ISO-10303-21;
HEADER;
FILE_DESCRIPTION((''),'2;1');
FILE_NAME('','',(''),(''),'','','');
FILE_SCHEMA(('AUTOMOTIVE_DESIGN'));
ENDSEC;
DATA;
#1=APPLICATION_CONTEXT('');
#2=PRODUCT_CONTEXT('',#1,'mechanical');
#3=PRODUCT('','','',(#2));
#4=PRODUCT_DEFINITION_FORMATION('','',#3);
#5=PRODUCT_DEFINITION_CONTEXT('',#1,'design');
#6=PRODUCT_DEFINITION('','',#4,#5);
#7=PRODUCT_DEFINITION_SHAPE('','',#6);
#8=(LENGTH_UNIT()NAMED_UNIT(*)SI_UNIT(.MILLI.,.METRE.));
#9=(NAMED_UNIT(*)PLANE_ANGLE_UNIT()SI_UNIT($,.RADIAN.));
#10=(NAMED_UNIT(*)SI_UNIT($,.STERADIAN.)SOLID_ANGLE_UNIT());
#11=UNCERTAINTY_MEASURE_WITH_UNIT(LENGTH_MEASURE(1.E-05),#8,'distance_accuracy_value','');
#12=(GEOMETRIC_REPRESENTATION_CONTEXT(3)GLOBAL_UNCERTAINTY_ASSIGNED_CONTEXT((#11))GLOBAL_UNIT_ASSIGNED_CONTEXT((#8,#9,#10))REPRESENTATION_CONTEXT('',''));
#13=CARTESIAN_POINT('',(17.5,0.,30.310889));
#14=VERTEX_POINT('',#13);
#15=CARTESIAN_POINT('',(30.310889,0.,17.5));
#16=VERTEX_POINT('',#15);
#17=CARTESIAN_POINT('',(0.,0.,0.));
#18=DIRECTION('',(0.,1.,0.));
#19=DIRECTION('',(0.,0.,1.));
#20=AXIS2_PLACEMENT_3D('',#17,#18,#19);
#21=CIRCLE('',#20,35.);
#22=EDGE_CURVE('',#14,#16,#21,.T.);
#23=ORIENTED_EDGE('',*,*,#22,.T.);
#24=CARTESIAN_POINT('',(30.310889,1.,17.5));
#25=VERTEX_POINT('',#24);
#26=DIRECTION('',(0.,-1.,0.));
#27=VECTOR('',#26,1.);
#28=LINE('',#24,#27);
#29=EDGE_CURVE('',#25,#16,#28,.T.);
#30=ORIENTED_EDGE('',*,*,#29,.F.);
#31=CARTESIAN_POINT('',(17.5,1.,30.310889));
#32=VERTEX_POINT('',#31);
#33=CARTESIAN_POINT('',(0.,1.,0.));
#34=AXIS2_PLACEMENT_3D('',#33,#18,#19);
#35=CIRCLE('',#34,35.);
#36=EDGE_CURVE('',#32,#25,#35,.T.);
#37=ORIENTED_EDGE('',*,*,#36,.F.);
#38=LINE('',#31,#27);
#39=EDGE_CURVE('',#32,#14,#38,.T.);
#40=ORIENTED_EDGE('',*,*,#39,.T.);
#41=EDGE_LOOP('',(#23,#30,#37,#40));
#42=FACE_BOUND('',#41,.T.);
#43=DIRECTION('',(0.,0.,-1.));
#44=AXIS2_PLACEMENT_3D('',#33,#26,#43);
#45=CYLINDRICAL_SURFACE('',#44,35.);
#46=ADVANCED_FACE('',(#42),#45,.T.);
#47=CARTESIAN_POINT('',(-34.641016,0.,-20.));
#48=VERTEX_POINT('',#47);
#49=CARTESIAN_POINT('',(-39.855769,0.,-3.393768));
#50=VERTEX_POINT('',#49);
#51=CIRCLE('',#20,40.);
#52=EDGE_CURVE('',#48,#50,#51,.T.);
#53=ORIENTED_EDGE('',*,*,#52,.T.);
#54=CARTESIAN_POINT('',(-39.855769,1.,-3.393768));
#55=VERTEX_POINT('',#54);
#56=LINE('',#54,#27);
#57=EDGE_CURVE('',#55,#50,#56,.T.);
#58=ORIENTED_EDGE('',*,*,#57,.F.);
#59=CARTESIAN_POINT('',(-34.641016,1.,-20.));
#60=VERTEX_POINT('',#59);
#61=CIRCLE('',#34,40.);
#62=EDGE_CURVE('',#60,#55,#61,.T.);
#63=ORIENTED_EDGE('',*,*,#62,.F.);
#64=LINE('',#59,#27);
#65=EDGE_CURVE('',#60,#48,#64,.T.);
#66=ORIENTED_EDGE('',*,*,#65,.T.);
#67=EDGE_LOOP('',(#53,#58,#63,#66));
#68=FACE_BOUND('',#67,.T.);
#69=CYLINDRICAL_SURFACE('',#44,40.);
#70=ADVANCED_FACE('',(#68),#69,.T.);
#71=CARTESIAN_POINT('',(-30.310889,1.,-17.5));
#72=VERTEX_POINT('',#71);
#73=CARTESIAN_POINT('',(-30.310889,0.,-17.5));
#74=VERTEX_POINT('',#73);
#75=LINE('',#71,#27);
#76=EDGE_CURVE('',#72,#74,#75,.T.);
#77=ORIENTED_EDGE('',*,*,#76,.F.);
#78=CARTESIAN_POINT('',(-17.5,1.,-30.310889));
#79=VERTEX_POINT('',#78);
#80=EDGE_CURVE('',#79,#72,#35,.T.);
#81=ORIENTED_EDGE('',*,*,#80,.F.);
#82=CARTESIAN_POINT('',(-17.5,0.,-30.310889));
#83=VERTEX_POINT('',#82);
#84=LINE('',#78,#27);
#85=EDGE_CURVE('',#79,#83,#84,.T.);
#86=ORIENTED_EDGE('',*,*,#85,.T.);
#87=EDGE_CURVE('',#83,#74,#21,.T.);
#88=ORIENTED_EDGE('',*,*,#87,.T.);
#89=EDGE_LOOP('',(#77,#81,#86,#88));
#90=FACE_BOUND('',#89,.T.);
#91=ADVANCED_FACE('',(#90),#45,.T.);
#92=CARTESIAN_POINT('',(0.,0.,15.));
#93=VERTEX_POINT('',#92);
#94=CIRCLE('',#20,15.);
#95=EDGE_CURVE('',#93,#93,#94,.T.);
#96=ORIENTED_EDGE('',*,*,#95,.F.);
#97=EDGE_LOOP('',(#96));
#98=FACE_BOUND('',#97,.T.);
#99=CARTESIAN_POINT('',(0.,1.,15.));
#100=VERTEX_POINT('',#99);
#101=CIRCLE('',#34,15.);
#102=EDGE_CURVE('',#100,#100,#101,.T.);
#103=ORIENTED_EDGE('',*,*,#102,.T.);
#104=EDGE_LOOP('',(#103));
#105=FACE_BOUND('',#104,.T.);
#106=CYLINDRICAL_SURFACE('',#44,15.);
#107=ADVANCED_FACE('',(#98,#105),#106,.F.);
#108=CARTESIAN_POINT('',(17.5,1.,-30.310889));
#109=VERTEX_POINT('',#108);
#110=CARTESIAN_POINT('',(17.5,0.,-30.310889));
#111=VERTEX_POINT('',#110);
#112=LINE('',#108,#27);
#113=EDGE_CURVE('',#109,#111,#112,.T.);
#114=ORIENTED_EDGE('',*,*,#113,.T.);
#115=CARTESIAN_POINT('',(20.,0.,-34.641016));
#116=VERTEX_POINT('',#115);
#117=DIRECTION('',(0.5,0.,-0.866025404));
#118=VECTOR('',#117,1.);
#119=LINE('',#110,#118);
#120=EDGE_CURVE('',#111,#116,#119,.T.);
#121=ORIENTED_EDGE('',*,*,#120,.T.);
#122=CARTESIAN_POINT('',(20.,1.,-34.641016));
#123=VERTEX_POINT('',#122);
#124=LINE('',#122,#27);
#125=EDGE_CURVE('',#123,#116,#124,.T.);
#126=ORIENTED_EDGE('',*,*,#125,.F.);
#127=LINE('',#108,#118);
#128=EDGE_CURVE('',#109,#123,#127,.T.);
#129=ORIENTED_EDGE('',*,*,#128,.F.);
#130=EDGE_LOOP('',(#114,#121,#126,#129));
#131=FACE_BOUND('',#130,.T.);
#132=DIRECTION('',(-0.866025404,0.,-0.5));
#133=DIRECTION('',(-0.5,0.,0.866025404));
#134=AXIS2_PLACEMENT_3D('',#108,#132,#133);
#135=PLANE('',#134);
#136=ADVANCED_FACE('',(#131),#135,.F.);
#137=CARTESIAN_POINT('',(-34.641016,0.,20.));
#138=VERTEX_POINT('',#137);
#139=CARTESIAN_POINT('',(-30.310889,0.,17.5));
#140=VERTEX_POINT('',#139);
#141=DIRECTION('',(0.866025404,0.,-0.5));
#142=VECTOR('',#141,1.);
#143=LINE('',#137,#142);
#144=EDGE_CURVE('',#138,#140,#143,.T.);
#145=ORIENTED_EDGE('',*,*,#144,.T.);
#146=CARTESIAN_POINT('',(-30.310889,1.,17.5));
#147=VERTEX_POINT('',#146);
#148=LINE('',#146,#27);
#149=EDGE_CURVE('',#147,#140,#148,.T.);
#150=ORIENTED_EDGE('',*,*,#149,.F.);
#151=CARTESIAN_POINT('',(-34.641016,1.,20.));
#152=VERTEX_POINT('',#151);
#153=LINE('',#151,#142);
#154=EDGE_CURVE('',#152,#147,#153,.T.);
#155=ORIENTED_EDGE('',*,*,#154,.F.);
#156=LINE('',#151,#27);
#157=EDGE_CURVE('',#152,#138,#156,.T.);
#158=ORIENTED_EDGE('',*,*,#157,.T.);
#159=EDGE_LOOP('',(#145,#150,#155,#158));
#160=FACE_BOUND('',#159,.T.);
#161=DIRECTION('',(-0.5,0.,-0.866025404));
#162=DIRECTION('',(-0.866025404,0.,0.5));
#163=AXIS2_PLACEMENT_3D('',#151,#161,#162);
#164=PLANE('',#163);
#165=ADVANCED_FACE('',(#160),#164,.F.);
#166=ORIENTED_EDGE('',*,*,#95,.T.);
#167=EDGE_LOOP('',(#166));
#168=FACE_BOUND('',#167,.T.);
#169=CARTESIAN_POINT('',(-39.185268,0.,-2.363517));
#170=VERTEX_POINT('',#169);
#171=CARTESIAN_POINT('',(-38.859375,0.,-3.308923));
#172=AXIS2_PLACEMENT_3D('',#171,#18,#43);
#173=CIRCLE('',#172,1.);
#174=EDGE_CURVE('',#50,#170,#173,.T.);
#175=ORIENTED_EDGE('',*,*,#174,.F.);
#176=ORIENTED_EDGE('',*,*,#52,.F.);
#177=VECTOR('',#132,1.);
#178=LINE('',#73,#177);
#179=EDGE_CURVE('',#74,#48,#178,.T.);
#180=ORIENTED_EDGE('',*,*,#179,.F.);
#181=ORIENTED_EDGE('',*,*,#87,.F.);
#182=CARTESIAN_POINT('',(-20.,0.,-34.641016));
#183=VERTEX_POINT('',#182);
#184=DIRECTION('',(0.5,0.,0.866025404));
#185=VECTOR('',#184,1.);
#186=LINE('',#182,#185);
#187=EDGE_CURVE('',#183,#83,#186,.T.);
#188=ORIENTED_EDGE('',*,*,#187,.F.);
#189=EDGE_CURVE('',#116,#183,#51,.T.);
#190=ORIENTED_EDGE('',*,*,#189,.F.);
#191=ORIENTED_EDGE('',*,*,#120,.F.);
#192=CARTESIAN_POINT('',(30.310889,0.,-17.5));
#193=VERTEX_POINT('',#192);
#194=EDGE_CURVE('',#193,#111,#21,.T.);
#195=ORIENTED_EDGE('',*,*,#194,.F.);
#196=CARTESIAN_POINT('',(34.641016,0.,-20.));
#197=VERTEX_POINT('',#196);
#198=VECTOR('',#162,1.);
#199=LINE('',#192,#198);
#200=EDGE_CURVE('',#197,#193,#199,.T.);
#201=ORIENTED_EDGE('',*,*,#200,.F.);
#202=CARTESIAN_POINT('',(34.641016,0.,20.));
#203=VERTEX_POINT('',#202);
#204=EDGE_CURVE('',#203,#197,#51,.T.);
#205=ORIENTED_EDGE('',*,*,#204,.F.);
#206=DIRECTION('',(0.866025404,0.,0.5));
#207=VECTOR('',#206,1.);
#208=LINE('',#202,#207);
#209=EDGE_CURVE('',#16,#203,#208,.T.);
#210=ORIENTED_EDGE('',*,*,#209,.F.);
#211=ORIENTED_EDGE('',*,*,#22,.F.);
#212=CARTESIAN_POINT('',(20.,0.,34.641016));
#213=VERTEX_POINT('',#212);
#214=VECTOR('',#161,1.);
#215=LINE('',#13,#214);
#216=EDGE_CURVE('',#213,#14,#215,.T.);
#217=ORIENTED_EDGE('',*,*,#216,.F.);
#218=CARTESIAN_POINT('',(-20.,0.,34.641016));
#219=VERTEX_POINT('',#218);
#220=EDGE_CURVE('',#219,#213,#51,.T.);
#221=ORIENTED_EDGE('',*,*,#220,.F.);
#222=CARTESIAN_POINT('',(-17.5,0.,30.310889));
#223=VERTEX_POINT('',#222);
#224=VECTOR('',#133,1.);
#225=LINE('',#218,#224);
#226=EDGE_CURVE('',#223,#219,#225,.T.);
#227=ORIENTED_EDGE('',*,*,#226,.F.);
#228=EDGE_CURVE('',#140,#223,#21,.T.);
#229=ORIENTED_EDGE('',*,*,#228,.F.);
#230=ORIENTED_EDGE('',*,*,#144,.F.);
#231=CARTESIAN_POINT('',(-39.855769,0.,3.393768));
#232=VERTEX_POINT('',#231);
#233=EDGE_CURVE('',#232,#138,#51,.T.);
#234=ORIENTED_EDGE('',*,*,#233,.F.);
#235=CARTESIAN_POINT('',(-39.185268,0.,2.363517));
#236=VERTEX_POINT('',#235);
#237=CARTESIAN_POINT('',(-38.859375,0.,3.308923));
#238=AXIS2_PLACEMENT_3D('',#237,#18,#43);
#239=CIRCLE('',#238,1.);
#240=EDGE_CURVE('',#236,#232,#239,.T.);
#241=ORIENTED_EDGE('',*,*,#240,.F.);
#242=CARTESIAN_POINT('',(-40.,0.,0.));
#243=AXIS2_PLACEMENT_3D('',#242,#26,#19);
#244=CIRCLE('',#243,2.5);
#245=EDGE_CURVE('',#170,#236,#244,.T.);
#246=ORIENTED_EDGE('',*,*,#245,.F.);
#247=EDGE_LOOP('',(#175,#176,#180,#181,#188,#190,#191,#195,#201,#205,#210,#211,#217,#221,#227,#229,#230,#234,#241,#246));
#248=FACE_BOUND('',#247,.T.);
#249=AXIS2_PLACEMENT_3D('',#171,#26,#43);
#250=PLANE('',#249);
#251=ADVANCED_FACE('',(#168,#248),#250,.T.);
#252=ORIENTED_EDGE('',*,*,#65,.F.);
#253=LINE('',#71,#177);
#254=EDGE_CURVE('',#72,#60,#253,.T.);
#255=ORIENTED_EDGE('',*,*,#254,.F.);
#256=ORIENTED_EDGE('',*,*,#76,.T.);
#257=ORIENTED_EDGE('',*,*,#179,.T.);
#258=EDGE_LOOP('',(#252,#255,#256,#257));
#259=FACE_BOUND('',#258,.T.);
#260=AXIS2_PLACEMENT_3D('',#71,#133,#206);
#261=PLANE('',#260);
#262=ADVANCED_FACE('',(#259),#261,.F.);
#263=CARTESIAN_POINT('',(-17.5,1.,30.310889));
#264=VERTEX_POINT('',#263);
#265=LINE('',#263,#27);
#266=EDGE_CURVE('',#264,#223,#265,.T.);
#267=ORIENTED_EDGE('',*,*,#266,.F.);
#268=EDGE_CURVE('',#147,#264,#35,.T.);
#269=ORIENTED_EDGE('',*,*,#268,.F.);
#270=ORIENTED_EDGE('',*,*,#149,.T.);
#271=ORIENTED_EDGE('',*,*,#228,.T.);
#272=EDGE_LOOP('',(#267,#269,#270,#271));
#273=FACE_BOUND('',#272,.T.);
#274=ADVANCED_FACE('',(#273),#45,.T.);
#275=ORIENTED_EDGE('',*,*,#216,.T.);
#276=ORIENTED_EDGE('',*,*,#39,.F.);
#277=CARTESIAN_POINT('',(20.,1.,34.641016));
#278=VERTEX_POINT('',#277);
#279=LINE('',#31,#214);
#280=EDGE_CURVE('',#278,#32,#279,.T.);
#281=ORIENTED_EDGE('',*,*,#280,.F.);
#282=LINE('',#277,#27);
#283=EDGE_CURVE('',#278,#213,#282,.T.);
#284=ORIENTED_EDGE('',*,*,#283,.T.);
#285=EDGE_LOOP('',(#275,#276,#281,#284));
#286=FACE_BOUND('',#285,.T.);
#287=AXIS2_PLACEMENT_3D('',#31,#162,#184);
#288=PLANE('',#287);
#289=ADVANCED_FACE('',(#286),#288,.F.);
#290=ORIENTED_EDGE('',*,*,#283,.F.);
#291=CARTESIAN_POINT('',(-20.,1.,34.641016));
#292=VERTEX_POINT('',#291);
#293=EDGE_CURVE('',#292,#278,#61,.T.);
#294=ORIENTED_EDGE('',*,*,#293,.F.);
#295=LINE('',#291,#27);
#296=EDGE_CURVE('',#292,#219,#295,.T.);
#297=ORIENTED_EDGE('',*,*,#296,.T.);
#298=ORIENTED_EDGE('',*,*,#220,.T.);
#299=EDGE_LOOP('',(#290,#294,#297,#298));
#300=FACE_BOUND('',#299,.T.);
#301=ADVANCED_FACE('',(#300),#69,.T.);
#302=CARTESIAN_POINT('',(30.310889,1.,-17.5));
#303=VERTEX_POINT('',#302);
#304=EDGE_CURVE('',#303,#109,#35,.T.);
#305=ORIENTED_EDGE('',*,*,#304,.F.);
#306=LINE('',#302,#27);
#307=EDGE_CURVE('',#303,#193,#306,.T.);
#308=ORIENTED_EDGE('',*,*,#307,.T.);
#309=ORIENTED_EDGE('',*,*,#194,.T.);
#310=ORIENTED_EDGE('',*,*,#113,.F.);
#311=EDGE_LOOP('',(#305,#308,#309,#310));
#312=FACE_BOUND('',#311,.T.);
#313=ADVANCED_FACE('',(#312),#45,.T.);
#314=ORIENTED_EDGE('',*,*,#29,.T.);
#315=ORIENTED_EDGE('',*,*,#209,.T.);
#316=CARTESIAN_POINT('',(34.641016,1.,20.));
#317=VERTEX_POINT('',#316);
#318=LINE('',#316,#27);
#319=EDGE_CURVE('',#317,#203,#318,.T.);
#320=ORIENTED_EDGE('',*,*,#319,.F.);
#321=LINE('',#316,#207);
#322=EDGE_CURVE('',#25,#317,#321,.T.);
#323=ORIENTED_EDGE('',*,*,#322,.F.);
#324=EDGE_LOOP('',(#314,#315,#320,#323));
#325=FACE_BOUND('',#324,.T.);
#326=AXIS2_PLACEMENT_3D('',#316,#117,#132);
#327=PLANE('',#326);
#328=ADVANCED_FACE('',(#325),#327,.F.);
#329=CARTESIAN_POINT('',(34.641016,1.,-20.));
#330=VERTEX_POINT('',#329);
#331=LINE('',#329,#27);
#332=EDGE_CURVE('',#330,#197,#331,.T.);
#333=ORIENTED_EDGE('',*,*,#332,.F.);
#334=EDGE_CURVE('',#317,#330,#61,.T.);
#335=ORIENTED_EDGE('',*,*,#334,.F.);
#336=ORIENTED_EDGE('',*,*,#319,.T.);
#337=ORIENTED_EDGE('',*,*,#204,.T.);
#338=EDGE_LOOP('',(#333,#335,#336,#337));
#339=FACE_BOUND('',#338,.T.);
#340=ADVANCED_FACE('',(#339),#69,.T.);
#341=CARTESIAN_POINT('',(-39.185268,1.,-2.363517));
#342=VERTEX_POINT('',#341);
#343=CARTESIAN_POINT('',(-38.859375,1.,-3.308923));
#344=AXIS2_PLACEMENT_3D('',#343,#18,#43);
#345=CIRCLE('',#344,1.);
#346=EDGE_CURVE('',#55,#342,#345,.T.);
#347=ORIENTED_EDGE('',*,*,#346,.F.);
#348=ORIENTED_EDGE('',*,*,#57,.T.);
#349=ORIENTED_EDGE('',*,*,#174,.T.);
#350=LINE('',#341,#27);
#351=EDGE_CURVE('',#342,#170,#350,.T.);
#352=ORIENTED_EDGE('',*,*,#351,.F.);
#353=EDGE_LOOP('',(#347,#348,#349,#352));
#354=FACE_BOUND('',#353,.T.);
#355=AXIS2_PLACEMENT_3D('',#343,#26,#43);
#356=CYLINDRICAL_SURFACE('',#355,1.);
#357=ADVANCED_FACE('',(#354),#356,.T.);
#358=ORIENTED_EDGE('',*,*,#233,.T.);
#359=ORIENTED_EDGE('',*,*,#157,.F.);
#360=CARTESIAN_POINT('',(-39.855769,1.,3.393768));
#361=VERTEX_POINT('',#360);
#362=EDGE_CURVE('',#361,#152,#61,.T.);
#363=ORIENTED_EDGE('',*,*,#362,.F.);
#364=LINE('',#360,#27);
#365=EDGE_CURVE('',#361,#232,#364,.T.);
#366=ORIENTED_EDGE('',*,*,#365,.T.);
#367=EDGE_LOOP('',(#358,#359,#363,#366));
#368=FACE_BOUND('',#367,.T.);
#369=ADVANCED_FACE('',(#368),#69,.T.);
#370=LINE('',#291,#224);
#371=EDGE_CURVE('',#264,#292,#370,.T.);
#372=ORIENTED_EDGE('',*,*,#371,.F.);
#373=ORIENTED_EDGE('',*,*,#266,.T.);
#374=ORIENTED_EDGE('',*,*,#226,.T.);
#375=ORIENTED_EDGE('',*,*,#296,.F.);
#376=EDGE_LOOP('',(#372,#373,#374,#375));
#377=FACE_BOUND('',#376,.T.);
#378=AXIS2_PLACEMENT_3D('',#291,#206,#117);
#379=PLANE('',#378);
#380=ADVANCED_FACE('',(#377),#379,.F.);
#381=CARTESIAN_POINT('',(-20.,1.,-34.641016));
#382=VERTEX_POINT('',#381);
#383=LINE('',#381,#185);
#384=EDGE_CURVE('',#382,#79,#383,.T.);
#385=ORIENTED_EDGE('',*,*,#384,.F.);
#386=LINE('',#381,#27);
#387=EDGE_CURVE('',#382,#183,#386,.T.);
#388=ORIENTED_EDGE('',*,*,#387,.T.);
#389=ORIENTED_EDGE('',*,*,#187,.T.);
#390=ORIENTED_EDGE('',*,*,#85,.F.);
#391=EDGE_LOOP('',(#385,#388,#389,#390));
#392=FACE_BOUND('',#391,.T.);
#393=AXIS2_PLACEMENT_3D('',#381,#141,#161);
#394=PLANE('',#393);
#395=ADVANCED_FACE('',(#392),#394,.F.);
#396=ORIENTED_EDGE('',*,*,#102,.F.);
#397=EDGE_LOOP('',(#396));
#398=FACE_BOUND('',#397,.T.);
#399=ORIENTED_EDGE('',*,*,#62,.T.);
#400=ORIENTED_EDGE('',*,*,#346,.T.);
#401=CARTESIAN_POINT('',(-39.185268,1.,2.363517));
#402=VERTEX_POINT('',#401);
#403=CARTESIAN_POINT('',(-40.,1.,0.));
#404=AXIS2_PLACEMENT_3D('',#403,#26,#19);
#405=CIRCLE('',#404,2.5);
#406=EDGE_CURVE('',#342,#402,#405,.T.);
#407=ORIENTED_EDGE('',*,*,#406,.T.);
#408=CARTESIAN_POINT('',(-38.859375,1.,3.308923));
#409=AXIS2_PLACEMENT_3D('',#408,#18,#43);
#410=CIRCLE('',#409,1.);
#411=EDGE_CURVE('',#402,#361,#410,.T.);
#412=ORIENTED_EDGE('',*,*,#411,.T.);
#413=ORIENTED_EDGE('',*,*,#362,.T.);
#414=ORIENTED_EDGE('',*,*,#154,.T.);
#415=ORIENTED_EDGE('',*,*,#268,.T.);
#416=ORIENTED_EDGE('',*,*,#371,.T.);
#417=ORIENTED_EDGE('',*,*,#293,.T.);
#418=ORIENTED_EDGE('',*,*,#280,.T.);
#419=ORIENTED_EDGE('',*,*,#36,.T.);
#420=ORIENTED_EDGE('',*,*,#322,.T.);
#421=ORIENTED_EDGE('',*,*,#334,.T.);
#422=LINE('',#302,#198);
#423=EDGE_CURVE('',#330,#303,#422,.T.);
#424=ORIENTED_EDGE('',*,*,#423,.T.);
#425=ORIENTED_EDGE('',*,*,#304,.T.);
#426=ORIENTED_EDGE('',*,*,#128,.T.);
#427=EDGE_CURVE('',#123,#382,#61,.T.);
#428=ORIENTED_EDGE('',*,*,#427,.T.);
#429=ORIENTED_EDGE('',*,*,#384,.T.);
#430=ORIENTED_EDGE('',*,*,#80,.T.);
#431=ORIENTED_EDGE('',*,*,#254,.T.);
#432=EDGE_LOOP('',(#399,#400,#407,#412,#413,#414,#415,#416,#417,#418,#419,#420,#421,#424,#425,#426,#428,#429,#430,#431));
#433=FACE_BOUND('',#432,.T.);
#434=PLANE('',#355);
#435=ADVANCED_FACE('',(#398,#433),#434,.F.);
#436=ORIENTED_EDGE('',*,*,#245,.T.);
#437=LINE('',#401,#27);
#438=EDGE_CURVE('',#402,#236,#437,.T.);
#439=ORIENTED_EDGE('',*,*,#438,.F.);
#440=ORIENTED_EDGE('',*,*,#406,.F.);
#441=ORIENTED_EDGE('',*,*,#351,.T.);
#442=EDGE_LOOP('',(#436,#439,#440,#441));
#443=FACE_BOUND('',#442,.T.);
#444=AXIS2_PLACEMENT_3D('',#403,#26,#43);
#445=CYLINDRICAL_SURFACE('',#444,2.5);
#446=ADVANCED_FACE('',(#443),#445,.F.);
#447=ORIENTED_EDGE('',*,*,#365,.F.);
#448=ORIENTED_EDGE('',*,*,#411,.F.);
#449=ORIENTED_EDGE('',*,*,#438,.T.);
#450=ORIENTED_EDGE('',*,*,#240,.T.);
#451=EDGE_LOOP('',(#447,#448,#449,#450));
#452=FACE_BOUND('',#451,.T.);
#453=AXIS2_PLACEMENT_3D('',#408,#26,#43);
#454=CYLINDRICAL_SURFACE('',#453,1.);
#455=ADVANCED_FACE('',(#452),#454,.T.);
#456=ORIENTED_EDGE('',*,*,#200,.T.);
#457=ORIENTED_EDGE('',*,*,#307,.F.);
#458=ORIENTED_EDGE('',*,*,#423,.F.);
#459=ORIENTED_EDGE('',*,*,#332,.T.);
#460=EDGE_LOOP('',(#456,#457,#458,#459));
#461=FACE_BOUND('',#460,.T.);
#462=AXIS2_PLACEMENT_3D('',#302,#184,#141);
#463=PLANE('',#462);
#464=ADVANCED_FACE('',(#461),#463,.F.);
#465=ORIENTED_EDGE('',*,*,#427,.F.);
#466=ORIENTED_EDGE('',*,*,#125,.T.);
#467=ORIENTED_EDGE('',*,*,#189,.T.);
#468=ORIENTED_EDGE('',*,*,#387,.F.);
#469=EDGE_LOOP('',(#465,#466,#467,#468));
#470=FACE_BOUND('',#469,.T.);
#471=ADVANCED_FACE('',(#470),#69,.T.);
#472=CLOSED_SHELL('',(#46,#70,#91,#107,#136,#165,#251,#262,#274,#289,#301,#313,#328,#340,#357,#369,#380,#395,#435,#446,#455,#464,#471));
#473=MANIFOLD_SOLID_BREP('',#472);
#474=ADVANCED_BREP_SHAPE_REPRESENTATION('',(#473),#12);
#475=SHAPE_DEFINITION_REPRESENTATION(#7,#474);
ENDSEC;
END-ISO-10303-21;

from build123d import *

# Parameters (mm, degrees)
SKETCH1_R           = 15
BOSS_EXTRUDE1_DEPTH = 1


with BuildPart() as part:
    # Sketch1 → Boss-Extrude1 (new body)
    with BuildSketch(Plane(origin=(0, 0, 0), x_dir=(1, 0, 0), z_dir=(0, 1, 0))):
        with BuildLine():
            Line((34.641016151, -20), (30.310889132, -17.5))
            ThreePointArc((30.310889132, -17.5), (24.748737342, -24.748737342), (17.5, -30.310889132))
            Line((17.5, -30.310889132), (20, -34.641016151))
            ThreePointArc((20, -34.641016151), (0, -40), (-20, -34.641016151))
            Line((-20, -34.641016151), (-17.5, -30.310889132))
            ThreePointArc((-17.5, -30.310889132), (-24.748737342, -24.748737342), (-30.310889132, -17.5))
            Line((-30.310889132, -17.5), (-34.641016151, -20))
            ThreePointArc((-34.641016151, -20), (-38.162605992, -11.983968621), (-39.855769231, -3.393767674))
            ThreePointArc((-39.855769231, -3.393767674), (-39.69750686, -2.763455807), (-39.185267857, -2.363516773))
            ThreePointArc((-39.185267857, -2.363516773), (-37.5, 0), (-39.185267857, 2.363516773))
            ThreePointArc((-39.185267857, 2.363516773), (-39.69750686, 2.763455807), (-39.855769231, 3.393767674))
            ThreePointArc((-39.855769231, 3.393767674), (-38.162605992, 11.983968621), (-34.641016151, 20))
            Line((-34.641016151, 20), (-30.310889132, 17.5))
            ThreePointArc((-30.310889132, 17.5), (-24.748737342, 24.748737342), (-17.5, 30.310889132))
            Line((-17.5, 30.310889132), (-20, 34.641016151))
            ThreePointArc((-20, 34.641016151), (0, 40), (20, 34.641016151))
            Line((20, 34.641016151), (17.5, 30.310889132))
            ThreePointArc((17.5, 30.310889132), (24.748737342, 24.748737342), (30.310889132, 17.5))
            Line((30.310889132, 17.5), (34.641016151, 20))
            ThreePointArc((34.641016151, 20), (40, 0), (34.641016151, -20))
        make_face()
        with Locations(Location((0, 0, 0), (0, 0, 270))):
            Circle(SKETCH1_R, mode=Mode.SUBTRACT)
    extrude(amount=BOSS_EXTRUDE1_DEPTH)


solid = part.part
